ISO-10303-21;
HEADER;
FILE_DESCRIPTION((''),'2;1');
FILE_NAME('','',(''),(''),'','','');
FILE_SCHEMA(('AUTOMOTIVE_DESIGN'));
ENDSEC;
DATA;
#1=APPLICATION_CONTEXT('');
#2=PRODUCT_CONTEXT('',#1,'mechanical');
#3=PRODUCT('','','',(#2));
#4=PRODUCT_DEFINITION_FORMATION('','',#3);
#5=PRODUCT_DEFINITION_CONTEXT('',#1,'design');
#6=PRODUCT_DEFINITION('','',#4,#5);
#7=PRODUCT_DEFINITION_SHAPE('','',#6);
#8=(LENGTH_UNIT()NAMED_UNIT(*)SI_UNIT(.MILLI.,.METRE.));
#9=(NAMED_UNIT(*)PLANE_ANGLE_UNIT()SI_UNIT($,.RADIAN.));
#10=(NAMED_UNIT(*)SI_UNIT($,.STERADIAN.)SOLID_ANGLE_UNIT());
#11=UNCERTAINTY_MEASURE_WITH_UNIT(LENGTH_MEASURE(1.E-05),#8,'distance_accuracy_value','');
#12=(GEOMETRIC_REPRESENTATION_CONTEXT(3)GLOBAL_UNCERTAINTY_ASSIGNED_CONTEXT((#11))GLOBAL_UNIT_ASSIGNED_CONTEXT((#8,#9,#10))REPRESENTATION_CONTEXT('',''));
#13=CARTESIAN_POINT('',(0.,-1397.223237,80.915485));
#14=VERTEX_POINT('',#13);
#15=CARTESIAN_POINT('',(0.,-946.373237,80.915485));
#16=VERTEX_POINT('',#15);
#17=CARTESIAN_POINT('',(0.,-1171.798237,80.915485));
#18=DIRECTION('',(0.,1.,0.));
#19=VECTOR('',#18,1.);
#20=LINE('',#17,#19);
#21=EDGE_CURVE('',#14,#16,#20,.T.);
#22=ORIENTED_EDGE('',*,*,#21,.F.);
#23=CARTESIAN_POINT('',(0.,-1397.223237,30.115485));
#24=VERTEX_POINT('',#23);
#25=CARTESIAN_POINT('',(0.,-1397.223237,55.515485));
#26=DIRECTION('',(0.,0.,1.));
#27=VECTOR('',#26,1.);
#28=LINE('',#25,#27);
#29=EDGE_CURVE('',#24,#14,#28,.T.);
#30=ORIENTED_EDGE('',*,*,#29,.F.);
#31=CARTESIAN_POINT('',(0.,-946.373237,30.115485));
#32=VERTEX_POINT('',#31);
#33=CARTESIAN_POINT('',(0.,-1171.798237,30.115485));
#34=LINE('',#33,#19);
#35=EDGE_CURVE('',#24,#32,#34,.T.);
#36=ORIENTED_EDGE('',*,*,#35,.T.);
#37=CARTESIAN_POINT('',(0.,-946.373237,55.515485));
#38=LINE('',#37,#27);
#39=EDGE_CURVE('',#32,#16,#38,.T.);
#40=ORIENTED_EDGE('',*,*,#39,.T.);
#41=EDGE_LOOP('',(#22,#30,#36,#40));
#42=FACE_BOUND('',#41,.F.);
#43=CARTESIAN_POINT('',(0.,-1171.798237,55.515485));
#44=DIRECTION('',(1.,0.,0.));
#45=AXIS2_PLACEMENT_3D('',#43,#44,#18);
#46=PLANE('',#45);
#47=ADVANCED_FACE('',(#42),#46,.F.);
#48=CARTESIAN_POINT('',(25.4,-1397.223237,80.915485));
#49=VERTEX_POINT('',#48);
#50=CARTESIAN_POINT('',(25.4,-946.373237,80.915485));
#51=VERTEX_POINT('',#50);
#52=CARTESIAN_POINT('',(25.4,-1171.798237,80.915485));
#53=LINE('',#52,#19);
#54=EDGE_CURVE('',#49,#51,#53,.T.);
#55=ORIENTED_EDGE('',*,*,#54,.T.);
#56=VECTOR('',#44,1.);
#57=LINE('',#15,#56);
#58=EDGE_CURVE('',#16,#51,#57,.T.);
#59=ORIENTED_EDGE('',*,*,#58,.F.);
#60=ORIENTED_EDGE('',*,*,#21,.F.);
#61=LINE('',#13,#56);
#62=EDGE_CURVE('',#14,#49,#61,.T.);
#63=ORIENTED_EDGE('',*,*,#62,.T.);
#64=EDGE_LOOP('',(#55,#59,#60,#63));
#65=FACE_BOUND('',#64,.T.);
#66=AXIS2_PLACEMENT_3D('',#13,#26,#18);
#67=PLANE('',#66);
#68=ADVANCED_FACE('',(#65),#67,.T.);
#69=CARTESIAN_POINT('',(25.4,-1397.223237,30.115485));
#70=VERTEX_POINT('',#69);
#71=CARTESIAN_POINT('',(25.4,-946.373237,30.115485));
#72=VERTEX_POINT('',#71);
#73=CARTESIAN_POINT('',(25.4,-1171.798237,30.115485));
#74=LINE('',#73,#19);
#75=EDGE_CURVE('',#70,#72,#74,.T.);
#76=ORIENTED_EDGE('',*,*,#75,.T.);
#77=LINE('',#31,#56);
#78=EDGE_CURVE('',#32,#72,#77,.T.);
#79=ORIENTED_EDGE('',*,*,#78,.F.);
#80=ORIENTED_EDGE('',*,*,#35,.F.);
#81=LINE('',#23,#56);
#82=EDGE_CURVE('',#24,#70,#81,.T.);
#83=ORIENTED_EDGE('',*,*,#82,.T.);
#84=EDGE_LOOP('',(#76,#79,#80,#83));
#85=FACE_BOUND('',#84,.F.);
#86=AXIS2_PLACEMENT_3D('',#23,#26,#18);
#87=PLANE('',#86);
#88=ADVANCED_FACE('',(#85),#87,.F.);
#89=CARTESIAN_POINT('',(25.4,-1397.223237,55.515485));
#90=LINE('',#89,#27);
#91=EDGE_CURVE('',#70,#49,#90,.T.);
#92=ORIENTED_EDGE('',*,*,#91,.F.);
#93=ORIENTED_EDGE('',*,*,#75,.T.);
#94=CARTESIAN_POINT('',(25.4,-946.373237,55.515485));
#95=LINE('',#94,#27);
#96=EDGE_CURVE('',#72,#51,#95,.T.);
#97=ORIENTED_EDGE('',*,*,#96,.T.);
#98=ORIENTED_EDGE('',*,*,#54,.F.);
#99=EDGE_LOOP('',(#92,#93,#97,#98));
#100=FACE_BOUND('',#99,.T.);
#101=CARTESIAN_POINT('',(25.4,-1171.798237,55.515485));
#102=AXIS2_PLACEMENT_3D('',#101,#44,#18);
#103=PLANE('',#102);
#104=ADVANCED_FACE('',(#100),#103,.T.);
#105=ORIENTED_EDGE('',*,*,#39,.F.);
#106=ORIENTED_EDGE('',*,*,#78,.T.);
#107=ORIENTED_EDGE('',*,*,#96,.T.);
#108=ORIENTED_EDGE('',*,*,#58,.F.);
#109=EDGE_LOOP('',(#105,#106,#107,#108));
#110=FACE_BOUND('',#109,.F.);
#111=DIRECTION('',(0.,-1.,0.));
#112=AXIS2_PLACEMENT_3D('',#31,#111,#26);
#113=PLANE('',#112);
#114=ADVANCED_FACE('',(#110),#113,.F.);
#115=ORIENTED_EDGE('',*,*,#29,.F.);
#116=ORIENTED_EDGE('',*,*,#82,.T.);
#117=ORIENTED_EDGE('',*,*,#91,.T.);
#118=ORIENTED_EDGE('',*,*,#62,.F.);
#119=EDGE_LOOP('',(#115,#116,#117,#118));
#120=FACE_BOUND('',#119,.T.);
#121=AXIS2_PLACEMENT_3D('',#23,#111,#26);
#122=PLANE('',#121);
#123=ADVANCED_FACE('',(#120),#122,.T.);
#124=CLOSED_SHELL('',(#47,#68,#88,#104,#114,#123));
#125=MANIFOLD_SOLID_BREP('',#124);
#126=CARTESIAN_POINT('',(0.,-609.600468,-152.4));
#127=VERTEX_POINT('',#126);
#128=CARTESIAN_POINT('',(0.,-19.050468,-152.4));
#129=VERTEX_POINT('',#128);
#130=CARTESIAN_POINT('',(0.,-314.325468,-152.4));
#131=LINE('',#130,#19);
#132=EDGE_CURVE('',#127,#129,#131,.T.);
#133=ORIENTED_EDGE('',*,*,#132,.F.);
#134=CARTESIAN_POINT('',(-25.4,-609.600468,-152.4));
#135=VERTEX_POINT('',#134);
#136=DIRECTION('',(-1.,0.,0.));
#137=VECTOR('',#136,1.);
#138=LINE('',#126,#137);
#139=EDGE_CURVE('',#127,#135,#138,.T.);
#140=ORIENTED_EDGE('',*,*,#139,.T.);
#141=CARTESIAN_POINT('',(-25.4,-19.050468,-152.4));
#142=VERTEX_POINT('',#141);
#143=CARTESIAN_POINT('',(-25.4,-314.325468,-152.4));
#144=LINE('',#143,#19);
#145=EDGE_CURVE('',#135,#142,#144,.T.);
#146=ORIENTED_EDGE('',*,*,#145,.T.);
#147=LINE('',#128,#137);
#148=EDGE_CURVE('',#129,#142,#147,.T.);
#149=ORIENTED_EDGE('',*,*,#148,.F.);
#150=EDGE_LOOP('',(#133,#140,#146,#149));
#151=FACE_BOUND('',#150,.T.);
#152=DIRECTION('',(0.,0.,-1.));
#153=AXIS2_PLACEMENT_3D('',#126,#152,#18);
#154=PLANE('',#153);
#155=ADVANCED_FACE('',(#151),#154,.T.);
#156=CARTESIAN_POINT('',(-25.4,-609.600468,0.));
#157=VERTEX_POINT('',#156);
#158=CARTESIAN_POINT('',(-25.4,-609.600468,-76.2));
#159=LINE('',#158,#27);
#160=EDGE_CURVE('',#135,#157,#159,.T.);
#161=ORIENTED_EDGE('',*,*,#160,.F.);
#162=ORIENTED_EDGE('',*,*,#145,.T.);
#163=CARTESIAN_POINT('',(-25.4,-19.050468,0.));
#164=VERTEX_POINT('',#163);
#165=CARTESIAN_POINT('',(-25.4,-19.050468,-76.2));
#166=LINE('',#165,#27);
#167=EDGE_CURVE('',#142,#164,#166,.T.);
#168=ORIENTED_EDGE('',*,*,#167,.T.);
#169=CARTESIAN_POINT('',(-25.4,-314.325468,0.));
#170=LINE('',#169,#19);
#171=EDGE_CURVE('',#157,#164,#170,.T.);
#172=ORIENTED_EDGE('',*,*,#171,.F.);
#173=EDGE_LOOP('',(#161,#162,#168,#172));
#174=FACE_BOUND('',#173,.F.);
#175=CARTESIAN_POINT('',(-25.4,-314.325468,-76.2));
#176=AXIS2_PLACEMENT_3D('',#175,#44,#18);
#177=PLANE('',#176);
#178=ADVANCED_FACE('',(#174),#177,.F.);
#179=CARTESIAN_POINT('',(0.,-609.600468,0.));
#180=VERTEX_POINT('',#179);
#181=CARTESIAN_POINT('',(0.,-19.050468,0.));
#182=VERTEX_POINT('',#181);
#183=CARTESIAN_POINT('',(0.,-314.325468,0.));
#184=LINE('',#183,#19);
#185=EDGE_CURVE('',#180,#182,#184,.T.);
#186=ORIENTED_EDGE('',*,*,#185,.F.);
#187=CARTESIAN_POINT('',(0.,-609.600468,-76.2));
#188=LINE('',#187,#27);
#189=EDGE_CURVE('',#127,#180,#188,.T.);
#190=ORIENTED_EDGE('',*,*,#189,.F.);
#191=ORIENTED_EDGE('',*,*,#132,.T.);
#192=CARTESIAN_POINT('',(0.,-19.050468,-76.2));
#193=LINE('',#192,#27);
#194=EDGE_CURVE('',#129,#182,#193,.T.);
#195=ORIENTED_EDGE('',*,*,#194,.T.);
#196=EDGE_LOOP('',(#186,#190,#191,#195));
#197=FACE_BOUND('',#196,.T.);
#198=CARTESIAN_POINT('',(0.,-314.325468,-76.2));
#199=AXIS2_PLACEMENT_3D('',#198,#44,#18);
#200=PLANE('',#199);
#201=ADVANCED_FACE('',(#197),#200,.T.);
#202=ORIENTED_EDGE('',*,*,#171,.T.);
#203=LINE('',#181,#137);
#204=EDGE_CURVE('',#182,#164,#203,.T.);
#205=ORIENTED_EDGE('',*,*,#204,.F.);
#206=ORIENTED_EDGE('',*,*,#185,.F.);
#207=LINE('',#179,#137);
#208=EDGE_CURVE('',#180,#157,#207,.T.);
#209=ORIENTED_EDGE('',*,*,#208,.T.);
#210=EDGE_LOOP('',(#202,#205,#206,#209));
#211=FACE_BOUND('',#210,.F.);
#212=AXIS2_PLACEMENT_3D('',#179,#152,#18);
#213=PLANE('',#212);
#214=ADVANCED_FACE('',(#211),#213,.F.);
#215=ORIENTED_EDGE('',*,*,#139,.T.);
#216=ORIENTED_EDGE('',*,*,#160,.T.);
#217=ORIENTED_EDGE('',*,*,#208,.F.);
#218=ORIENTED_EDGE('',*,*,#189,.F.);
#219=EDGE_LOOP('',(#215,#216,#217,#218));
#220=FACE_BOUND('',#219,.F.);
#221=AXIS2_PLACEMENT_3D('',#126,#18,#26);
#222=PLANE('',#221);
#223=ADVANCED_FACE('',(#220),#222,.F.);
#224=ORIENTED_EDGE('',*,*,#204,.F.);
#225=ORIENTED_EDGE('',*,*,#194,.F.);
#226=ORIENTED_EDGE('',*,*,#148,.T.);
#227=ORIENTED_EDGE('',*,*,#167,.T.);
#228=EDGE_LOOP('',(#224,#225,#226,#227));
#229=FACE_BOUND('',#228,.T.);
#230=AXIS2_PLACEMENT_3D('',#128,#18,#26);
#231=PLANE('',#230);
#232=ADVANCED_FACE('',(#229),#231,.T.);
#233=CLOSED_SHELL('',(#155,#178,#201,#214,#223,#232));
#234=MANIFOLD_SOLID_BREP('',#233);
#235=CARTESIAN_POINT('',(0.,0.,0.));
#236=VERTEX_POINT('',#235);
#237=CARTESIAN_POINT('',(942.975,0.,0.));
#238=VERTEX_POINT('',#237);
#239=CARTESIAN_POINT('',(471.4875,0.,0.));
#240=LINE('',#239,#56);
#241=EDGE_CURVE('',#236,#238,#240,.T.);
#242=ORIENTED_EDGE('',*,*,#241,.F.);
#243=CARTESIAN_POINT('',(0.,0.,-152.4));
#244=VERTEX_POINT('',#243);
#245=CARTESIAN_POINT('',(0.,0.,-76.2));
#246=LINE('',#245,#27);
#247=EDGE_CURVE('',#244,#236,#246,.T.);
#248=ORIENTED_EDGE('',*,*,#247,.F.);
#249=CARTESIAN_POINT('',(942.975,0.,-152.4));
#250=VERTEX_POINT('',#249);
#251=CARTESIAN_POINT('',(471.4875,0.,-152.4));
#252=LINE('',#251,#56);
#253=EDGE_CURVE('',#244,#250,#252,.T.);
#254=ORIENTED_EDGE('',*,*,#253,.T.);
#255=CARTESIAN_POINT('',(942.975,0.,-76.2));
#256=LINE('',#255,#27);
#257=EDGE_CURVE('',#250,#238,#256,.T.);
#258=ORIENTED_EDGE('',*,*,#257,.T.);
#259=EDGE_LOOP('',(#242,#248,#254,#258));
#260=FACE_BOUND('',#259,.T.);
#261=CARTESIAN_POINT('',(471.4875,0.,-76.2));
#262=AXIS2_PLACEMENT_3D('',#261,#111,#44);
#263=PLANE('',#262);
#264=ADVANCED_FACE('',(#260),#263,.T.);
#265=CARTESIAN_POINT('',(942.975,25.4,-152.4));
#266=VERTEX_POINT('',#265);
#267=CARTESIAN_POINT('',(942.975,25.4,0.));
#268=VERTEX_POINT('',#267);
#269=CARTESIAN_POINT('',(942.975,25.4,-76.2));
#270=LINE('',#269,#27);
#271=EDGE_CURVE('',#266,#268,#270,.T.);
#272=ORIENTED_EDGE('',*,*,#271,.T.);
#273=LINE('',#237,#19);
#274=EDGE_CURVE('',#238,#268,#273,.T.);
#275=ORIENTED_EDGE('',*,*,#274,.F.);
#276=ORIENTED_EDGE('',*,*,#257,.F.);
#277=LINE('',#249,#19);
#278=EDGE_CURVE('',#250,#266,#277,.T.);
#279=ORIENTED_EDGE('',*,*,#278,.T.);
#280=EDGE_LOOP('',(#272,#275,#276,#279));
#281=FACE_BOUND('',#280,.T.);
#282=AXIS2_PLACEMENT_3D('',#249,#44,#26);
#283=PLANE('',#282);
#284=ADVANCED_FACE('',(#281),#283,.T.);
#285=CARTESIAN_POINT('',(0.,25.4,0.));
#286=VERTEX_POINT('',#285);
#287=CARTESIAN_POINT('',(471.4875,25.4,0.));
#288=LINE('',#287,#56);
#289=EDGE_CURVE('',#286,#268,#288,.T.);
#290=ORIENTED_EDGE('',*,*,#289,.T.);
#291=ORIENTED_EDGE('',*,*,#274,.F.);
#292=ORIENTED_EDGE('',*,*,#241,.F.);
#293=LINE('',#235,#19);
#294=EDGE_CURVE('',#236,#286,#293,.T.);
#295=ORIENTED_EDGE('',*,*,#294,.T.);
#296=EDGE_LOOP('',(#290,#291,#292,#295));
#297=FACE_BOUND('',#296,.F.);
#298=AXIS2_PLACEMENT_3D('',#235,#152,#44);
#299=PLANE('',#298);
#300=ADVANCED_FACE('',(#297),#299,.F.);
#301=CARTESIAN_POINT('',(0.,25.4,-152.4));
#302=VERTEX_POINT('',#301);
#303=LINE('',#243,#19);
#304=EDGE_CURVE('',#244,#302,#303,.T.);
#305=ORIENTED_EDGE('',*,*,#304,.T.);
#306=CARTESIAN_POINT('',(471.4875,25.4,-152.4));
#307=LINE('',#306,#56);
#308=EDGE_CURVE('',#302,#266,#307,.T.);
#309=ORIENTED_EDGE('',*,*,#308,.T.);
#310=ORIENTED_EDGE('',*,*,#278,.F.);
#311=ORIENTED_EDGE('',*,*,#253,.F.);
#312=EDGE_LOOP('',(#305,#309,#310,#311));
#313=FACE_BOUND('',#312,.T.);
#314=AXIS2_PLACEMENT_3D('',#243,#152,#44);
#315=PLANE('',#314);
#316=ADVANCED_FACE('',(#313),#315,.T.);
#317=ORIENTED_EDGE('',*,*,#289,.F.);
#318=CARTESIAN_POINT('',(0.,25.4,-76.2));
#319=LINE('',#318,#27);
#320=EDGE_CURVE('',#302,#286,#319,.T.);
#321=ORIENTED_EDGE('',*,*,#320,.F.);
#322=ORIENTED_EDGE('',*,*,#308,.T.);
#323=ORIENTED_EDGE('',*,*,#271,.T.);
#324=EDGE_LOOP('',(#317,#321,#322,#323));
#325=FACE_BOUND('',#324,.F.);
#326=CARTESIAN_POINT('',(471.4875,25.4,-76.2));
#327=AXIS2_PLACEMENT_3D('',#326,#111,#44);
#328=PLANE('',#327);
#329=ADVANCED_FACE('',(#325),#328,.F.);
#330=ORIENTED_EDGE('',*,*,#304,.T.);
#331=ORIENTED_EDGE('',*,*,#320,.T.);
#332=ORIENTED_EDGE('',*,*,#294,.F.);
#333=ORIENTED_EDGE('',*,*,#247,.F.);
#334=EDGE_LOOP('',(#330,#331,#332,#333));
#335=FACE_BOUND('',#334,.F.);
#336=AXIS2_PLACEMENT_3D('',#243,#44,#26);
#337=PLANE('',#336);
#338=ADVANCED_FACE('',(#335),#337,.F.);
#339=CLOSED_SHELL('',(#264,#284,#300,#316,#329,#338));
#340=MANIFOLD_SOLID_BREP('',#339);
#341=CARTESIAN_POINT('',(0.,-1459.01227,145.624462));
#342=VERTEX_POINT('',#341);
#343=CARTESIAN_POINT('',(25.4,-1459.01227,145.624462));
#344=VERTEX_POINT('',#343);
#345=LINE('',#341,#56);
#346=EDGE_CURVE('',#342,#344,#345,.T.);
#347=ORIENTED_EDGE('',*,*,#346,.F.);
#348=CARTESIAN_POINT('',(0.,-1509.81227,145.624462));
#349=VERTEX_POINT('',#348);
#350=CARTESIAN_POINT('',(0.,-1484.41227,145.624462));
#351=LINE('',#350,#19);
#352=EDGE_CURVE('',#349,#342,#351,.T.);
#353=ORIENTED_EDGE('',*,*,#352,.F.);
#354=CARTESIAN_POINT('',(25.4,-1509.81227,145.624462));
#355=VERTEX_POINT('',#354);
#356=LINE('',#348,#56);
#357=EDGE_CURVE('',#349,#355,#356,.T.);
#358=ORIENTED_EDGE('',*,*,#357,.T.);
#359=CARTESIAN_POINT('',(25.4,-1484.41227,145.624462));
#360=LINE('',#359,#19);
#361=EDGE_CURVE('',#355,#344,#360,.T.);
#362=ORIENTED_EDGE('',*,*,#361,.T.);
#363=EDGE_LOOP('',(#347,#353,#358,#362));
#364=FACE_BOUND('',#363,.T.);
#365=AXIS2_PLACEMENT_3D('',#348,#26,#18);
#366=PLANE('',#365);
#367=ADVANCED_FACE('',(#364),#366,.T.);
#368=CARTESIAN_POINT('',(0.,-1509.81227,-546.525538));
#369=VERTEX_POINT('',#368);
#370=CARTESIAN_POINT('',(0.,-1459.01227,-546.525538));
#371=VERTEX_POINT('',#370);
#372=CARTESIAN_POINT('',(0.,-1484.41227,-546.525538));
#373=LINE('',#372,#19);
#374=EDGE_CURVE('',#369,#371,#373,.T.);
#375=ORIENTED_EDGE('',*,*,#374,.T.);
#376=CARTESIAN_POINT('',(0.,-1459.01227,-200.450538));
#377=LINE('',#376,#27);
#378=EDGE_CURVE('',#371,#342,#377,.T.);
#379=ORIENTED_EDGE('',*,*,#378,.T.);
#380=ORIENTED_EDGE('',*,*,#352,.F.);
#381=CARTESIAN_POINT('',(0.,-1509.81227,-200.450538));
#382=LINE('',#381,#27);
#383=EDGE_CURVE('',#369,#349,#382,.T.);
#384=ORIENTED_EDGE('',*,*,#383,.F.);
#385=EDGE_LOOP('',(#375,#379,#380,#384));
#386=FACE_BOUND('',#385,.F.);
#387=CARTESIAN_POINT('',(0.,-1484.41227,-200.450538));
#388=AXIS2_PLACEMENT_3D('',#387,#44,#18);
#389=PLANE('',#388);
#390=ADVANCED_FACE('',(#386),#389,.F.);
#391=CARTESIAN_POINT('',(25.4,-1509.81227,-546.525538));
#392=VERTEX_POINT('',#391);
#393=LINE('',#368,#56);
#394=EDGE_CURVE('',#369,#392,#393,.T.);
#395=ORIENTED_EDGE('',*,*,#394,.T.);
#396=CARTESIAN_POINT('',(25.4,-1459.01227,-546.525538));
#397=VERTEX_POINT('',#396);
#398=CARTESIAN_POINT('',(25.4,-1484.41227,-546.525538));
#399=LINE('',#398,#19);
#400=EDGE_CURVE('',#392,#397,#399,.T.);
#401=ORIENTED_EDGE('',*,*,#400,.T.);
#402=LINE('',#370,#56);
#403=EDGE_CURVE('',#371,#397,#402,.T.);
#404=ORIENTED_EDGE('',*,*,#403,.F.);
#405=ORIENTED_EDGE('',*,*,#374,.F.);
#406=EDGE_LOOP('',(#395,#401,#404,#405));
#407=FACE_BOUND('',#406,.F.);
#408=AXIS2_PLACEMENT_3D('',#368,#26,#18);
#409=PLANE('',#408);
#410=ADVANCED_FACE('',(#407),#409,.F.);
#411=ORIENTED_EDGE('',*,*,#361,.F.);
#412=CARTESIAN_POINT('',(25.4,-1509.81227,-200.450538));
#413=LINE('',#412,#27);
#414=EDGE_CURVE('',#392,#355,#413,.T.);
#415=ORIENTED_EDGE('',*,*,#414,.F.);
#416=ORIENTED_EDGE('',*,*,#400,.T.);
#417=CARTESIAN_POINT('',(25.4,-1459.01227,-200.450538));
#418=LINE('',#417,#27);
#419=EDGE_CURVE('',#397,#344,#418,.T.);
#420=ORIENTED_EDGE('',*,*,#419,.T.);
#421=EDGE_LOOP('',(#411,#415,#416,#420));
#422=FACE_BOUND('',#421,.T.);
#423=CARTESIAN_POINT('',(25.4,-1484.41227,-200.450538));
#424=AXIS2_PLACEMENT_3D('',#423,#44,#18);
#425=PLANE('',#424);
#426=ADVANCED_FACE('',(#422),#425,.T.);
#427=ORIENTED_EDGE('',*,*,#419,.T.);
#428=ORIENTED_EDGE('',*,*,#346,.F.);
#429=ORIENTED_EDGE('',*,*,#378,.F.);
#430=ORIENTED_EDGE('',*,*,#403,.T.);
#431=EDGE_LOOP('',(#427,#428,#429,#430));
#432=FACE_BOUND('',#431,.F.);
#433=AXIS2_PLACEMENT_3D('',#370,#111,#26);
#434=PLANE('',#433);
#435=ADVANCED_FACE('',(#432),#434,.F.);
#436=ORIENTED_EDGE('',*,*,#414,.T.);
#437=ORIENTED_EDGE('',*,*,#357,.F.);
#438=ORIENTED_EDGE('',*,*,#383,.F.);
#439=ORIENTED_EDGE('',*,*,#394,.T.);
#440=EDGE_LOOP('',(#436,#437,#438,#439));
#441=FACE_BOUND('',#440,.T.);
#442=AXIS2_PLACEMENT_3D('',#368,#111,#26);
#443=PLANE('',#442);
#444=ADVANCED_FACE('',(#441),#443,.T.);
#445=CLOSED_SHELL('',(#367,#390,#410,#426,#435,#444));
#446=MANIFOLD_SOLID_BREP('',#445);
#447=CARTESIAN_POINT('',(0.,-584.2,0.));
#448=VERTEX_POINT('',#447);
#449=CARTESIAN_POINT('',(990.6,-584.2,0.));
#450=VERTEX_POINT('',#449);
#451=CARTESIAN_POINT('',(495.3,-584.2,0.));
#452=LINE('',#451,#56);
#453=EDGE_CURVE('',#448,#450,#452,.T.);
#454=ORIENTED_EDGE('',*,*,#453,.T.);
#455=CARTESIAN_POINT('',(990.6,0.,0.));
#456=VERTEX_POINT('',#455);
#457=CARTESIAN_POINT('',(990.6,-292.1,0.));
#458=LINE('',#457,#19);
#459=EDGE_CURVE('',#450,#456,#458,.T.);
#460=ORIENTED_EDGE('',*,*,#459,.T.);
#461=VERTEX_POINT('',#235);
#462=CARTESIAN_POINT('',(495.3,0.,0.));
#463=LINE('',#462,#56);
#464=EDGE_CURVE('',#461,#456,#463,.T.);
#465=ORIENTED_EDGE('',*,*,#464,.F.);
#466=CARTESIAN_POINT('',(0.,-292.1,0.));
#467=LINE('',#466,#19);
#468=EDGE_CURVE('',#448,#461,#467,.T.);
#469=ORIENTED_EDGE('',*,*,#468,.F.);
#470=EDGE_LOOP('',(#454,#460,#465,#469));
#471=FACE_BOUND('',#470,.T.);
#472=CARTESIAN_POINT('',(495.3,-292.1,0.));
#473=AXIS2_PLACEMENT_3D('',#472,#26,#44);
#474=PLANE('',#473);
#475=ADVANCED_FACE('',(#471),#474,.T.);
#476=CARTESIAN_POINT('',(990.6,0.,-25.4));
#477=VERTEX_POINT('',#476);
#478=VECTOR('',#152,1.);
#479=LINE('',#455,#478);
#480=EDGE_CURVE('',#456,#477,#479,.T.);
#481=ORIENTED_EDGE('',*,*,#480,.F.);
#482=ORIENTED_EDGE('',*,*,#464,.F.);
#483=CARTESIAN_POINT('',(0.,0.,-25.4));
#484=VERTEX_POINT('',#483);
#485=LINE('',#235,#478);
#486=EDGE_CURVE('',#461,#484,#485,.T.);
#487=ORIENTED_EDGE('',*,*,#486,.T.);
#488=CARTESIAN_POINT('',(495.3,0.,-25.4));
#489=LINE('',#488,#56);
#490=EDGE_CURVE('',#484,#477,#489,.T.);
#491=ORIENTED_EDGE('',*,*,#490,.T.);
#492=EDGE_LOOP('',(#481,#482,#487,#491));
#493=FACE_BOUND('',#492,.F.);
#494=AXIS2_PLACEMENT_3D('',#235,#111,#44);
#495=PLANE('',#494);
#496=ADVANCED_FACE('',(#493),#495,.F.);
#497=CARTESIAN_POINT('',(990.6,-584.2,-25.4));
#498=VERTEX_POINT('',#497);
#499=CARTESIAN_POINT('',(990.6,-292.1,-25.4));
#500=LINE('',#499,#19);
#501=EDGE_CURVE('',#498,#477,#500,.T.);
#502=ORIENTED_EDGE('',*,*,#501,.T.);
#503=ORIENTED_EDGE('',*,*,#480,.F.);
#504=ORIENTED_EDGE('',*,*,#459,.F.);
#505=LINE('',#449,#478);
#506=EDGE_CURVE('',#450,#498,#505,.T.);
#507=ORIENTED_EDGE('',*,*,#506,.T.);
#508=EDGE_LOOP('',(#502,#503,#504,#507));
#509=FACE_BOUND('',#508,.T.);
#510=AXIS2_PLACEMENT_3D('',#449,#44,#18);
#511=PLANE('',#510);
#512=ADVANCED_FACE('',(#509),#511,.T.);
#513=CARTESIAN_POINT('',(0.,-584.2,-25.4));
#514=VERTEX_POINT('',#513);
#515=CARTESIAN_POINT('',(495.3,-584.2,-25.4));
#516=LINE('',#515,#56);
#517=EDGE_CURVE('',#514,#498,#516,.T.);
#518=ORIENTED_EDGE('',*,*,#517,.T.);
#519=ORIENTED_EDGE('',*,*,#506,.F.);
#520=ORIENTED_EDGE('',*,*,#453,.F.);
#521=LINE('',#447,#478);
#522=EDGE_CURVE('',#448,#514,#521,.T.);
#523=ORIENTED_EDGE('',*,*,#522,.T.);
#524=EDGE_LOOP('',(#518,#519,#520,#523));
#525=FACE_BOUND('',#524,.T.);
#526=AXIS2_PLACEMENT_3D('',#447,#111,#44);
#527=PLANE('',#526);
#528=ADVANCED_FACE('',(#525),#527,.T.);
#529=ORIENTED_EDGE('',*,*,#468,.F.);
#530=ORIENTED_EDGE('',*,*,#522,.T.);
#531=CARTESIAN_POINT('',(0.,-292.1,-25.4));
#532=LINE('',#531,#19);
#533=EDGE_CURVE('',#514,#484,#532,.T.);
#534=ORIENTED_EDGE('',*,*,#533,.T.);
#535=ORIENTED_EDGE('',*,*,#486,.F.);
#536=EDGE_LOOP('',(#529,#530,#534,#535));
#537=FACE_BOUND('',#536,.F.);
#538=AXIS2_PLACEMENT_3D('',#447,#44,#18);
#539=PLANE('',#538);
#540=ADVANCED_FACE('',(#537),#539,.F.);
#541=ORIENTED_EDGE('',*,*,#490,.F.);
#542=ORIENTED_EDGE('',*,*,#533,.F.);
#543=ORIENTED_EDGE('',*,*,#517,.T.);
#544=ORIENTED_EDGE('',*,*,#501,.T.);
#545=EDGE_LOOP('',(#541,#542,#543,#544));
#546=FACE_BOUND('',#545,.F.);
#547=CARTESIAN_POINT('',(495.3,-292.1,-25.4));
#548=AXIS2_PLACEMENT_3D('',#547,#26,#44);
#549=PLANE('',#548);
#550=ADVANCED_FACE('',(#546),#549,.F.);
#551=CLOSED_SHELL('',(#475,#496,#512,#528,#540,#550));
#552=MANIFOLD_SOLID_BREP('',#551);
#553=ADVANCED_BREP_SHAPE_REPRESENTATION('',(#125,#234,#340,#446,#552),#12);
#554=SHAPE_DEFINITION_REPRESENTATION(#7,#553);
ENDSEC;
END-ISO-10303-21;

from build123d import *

# Parameters (mm, degrees)
F1_W     = 942.975
F1_H     = 152.4
F3_DEPTH = 25.4
F0_W     = 990.6
F0_H     = 584.2
F4_DEPTH = 25.4
F2_W     = 590.55
F2_H     = 152.4
F5_DEPTH = 25.4
F6_W     = 50.8
F6_H     = 692.15
F7_DEPTH = 25.4
F8_W     = 450.85
F8_H     = 50.8
F9_DEPTH = 25.4


with BuildPart() as f3:
    # F1 (on Front) → F3 (new body)
    with BuildSketch(Plane.XZ):
        with Locations((471.4875, -76.2)):
            Rectangle(F1_W, F1_H)
    extrude(amount=-F3_DEPTH)


with BuildPart() as f4:
    # F0 (on Top) → F4 (new body)
    with BuildSketch(Plane.XY):
        with Locations((495.3, -292.1)):
            Rectangle(F0_W, F0_H)
    extrude(amount=-F4_DEPTH)


with BuildPart() as f5:
    # F2 (on Right) → F5 (new body)
    with BuildSketch(Plane.YZ):
        with Locations((-314.325468, -76.2)):
            Rectangle(F2_W, F2_H)
    extrude(amount=-F5_DEPTH)


with BuildPart() as f7:
    # F6 (on Right) → F7 (new body)
    with BuildSketch(Plane.YZ):
        with Locations((-1484.41227, -200.450538)):
            Rectangle(F6_W, F6_H)
    extrude(amount=F7_DEPTH)


with BuildPart() as f9:
    # F8 (on Right) → F9 (new body)
    with BuildSketch(Plane.YZ):
        with Locations((-1171.798237, 55.515485)):
            Rectangle(F8_W, F8_H)
    extrude(amount=F9_DEPTH)


solid = Compound([f3.part, f4.part, f5.part, f7.part, f9.part])
